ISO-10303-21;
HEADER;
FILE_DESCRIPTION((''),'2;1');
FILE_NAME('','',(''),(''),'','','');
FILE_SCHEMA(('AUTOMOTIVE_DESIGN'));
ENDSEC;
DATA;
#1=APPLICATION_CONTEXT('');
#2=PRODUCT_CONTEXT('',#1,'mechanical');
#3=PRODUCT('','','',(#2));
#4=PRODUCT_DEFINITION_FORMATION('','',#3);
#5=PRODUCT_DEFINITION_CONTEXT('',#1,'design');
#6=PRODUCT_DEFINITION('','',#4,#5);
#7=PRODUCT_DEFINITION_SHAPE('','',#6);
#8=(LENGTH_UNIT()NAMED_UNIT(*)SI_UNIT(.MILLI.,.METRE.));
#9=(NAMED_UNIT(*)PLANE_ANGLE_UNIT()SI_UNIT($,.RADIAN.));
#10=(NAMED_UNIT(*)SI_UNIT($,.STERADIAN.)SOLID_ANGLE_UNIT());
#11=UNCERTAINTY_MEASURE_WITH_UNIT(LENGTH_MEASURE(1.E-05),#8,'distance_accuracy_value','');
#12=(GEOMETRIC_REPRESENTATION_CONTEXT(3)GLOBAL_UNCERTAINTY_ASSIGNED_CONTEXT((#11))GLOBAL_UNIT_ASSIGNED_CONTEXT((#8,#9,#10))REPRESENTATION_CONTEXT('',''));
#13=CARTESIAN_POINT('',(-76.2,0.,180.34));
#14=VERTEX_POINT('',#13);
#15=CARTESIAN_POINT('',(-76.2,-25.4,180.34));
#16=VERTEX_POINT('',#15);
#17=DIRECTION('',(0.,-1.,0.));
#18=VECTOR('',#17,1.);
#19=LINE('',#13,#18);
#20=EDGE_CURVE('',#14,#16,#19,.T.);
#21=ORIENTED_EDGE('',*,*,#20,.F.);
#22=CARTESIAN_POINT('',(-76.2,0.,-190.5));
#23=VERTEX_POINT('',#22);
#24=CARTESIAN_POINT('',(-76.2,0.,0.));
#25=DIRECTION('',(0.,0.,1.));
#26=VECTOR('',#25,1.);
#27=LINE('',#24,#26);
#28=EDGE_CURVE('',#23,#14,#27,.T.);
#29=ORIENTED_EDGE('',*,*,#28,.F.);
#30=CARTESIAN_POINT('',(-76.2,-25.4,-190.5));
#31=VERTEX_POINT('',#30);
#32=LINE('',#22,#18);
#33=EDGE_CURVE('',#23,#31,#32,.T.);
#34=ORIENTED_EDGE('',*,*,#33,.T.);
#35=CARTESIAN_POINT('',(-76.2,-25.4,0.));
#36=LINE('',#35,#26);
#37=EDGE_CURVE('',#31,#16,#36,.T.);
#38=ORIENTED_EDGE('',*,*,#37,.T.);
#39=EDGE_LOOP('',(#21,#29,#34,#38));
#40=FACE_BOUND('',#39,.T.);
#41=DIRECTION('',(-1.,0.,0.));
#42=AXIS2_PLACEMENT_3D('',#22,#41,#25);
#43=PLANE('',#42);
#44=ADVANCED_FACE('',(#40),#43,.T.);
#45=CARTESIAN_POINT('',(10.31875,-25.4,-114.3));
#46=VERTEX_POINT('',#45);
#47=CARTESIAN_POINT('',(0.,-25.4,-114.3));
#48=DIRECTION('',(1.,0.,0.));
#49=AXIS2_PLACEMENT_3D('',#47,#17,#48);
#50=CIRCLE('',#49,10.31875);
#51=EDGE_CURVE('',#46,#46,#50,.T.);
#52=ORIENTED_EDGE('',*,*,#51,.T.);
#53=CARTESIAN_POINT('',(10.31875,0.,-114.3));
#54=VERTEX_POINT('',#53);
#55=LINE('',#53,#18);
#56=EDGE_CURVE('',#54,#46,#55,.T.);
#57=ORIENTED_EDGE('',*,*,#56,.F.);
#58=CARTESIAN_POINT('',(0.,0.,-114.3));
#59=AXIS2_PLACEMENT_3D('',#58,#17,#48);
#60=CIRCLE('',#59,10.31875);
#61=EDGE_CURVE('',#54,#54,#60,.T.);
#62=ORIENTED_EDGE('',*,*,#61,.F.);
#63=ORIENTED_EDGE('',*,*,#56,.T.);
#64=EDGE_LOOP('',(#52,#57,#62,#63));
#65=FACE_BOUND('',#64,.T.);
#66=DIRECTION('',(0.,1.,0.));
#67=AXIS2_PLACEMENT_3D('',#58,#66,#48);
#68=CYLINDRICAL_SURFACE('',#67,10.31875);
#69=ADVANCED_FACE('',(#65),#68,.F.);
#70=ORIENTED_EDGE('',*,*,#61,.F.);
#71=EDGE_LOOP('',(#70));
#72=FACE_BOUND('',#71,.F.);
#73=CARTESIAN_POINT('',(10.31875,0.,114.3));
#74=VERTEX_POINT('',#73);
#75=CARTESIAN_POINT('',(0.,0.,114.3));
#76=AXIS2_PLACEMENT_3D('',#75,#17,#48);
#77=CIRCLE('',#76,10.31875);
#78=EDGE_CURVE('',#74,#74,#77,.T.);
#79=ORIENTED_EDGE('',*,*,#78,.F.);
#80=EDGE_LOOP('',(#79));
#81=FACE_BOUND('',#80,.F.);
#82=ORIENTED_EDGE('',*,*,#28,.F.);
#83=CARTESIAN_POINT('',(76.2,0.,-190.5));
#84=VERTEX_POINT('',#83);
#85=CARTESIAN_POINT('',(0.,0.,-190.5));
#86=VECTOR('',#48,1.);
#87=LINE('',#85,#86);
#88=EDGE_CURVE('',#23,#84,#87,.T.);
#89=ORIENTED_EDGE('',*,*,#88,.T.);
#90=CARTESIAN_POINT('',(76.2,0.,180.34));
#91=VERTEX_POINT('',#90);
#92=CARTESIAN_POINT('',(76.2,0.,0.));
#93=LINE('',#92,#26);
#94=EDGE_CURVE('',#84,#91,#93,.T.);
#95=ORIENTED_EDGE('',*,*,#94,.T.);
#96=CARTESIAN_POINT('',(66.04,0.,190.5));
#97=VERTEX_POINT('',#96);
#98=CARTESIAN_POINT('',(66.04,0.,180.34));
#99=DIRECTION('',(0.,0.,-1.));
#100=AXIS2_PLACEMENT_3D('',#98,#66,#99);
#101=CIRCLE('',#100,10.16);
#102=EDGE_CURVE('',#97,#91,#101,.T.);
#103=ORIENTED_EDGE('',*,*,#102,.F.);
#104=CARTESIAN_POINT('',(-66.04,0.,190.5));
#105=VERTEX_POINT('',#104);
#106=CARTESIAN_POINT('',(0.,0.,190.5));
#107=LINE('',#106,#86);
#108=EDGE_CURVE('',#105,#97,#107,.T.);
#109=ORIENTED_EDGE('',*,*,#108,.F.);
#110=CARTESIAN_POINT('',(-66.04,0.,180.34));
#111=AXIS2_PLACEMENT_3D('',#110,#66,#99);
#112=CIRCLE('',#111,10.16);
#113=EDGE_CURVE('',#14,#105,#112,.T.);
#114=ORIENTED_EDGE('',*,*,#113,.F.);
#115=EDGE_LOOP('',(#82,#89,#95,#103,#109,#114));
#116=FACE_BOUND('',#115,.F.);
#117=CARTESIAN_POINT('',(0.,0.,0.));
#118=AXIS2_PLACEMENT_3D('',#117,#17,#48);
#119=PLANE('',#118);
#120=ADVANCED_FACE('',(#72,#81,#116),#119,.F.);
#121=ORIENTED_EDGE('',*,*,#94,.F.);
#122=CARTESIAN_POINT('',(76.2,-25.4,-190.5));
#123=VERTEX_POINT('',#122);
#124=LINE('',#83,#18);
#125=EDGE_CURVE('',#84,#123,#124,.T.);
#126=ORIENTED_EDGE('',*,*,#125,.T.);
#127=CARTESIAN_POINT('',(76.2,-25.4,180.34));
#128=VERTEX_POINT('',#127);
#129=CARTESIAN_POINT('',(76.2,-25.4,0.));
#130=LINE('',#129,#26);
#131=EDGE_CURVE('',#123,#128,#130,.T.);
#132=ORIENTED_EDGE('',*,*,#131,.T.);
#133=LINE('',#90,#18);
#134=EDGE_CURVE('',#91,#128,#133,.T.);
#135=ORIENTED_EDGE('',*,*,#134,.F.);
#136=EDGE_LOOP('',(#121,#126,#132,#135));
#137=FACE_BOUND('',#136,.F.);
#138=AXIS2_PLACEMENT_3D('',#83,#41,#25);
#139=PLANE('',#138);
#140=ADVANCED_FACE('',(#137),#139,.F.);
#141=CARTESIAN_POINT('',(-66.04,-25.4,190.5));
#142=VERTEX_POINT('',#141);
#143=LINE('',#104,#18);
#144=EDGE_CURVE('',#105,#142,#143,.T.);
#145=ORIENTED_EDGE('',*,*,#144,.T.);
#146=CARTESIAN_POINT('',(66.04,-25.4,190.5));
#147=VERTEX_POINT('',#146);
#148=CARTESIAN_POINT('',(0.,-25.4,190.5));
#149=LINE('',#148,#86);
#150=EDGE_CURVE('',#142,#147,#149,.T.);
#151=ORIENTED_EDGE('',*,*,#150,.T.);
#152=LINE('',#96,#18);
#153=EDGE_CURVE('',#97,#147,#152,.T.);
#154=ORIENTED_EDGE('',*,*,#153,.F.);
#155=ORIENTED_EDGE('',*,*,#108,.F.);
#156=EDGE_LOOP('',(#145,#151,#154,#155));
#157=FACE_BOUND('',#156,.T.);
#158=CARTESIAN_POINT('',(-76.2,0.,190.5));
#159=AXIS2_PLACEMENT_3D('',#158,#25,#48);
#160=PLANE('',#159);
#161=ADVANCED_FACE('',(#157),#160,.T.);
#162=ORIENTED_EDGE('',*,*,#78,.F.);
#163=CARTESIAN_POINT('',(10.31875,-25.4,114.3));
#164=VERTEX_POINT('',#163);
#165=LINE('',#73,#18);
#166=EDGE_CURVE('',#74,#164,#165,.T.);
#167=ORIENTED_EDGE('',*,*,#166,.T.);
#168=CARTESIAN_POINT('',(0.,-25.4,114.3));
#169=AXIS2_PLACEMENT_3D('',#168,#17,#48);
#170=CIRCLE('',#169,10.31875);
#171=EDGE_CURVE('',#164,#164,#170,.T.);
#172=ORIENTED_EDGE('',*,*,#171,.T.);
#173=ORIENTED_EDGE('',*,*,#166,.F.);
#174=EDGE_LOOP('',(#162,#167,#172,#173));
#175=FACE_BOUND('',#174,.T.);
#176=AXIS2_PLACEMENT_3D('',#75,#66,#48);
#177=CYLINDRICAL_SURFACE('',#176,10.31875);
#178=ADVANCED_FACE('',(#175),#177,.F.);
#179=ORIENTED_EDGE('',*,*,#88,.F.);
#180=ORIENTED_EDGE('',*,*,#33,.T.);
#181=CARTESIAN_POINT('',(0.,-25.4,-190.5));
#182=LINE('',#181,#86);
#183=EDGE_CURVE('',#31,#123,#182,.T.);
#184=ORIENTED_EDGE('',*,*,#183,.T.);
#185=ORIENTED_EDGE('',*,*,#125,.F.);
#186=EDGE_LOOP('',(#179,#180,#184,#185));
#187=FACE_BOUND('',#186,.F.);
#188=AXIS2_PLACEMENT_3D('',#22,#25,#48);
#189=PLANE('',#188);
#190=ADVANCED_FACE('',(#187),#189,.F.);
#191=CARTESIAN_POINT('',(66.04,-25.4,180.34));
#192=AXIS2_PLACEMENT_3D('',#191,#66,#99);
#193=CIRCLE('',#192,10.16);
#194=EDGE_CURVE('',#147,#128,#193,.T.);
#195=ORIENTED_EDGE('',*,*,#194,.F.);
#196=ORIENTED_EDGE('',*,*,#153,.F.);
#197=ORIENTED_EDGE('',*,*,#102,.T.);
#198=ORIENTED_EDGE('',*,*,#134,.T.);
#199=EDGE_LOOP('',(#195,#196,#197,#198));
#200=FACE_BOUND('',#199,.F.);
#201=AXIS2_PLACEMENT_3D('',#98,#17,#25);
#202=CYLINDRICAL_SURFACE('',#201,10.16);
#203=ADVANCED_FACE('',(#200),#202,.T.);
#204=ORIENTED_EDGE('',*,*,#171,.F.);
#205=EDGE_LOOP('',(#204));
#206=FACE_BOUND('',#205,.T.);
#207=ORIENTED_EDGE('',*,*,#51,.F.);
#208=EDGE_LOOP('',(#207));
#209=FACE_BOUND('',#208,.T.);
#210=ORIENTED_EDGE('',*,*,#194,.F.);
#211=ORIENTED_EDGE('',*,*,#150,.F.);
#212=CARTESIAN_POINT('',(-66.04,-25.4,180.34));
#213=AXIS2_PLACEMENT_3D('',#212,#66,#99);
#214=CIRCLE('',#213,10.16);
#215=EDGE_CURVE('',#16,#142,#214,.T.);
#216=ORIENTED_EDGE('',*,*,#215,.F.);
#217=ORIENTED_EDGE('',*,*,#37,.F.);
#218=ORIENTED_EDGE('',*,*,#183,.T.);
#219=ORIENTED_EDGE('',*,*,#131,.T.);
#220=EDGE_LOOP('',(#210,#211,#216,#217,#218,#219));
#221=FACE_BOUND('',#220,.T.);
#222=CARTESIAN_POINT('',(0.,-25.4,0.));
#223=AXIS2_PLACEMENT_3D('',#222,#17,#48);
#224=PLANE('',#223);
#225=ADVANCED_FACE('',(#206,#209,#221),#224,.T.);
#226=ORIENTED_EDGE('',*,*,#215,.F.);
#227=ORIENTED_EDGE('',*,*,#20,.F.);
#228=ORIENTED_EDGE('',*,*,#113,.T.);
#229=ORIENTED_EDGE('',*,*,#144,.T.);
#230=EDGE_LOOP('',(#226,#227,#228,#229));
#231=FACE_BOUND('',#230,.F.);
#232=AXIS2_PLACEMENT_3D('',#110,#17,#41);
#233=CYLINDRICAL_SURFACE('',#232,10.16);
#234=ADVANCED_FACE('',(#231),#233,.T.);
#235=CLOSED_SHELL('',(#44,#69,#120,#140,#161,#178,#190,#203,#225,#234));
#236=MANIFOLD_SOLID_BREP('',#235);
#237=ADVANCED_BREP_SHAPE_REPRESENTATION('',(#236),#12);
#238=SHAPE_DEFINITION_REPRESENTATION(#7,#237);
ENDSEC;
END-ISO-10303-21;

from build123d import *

# Parameters (mm, degrees)
F0_W     = 152.4
F0_H     = 381
F0_R     = 10.31875
F1_DEPTH = 25.4
F2_R     = 10.16


with BuildPart() as f1:
    # F0 (on Front) → F1 (new body)
    with BuildSketch(Plane.XZ):
        Rectangle(F0_W, F0_H)
        with Locations((0, -114.3)):
            Circle(F0_R, mode=Mode.SUBTRACT)
        with Locations((0, 114.3)):
            Circle(F0_R, mode=Mode.SUBTRACT)
    extrude(amount=F1_DEPTH)

    # F2
    f2_edges = [f1.edges().sort_by_distance(p)[0] for p in [
        (-76.2, -12.7, 190.5),
        (76.2, -12.7, 190.5),
    ]]
    fillet(f2_edges, radius=F2_R)


solid = f1.part
